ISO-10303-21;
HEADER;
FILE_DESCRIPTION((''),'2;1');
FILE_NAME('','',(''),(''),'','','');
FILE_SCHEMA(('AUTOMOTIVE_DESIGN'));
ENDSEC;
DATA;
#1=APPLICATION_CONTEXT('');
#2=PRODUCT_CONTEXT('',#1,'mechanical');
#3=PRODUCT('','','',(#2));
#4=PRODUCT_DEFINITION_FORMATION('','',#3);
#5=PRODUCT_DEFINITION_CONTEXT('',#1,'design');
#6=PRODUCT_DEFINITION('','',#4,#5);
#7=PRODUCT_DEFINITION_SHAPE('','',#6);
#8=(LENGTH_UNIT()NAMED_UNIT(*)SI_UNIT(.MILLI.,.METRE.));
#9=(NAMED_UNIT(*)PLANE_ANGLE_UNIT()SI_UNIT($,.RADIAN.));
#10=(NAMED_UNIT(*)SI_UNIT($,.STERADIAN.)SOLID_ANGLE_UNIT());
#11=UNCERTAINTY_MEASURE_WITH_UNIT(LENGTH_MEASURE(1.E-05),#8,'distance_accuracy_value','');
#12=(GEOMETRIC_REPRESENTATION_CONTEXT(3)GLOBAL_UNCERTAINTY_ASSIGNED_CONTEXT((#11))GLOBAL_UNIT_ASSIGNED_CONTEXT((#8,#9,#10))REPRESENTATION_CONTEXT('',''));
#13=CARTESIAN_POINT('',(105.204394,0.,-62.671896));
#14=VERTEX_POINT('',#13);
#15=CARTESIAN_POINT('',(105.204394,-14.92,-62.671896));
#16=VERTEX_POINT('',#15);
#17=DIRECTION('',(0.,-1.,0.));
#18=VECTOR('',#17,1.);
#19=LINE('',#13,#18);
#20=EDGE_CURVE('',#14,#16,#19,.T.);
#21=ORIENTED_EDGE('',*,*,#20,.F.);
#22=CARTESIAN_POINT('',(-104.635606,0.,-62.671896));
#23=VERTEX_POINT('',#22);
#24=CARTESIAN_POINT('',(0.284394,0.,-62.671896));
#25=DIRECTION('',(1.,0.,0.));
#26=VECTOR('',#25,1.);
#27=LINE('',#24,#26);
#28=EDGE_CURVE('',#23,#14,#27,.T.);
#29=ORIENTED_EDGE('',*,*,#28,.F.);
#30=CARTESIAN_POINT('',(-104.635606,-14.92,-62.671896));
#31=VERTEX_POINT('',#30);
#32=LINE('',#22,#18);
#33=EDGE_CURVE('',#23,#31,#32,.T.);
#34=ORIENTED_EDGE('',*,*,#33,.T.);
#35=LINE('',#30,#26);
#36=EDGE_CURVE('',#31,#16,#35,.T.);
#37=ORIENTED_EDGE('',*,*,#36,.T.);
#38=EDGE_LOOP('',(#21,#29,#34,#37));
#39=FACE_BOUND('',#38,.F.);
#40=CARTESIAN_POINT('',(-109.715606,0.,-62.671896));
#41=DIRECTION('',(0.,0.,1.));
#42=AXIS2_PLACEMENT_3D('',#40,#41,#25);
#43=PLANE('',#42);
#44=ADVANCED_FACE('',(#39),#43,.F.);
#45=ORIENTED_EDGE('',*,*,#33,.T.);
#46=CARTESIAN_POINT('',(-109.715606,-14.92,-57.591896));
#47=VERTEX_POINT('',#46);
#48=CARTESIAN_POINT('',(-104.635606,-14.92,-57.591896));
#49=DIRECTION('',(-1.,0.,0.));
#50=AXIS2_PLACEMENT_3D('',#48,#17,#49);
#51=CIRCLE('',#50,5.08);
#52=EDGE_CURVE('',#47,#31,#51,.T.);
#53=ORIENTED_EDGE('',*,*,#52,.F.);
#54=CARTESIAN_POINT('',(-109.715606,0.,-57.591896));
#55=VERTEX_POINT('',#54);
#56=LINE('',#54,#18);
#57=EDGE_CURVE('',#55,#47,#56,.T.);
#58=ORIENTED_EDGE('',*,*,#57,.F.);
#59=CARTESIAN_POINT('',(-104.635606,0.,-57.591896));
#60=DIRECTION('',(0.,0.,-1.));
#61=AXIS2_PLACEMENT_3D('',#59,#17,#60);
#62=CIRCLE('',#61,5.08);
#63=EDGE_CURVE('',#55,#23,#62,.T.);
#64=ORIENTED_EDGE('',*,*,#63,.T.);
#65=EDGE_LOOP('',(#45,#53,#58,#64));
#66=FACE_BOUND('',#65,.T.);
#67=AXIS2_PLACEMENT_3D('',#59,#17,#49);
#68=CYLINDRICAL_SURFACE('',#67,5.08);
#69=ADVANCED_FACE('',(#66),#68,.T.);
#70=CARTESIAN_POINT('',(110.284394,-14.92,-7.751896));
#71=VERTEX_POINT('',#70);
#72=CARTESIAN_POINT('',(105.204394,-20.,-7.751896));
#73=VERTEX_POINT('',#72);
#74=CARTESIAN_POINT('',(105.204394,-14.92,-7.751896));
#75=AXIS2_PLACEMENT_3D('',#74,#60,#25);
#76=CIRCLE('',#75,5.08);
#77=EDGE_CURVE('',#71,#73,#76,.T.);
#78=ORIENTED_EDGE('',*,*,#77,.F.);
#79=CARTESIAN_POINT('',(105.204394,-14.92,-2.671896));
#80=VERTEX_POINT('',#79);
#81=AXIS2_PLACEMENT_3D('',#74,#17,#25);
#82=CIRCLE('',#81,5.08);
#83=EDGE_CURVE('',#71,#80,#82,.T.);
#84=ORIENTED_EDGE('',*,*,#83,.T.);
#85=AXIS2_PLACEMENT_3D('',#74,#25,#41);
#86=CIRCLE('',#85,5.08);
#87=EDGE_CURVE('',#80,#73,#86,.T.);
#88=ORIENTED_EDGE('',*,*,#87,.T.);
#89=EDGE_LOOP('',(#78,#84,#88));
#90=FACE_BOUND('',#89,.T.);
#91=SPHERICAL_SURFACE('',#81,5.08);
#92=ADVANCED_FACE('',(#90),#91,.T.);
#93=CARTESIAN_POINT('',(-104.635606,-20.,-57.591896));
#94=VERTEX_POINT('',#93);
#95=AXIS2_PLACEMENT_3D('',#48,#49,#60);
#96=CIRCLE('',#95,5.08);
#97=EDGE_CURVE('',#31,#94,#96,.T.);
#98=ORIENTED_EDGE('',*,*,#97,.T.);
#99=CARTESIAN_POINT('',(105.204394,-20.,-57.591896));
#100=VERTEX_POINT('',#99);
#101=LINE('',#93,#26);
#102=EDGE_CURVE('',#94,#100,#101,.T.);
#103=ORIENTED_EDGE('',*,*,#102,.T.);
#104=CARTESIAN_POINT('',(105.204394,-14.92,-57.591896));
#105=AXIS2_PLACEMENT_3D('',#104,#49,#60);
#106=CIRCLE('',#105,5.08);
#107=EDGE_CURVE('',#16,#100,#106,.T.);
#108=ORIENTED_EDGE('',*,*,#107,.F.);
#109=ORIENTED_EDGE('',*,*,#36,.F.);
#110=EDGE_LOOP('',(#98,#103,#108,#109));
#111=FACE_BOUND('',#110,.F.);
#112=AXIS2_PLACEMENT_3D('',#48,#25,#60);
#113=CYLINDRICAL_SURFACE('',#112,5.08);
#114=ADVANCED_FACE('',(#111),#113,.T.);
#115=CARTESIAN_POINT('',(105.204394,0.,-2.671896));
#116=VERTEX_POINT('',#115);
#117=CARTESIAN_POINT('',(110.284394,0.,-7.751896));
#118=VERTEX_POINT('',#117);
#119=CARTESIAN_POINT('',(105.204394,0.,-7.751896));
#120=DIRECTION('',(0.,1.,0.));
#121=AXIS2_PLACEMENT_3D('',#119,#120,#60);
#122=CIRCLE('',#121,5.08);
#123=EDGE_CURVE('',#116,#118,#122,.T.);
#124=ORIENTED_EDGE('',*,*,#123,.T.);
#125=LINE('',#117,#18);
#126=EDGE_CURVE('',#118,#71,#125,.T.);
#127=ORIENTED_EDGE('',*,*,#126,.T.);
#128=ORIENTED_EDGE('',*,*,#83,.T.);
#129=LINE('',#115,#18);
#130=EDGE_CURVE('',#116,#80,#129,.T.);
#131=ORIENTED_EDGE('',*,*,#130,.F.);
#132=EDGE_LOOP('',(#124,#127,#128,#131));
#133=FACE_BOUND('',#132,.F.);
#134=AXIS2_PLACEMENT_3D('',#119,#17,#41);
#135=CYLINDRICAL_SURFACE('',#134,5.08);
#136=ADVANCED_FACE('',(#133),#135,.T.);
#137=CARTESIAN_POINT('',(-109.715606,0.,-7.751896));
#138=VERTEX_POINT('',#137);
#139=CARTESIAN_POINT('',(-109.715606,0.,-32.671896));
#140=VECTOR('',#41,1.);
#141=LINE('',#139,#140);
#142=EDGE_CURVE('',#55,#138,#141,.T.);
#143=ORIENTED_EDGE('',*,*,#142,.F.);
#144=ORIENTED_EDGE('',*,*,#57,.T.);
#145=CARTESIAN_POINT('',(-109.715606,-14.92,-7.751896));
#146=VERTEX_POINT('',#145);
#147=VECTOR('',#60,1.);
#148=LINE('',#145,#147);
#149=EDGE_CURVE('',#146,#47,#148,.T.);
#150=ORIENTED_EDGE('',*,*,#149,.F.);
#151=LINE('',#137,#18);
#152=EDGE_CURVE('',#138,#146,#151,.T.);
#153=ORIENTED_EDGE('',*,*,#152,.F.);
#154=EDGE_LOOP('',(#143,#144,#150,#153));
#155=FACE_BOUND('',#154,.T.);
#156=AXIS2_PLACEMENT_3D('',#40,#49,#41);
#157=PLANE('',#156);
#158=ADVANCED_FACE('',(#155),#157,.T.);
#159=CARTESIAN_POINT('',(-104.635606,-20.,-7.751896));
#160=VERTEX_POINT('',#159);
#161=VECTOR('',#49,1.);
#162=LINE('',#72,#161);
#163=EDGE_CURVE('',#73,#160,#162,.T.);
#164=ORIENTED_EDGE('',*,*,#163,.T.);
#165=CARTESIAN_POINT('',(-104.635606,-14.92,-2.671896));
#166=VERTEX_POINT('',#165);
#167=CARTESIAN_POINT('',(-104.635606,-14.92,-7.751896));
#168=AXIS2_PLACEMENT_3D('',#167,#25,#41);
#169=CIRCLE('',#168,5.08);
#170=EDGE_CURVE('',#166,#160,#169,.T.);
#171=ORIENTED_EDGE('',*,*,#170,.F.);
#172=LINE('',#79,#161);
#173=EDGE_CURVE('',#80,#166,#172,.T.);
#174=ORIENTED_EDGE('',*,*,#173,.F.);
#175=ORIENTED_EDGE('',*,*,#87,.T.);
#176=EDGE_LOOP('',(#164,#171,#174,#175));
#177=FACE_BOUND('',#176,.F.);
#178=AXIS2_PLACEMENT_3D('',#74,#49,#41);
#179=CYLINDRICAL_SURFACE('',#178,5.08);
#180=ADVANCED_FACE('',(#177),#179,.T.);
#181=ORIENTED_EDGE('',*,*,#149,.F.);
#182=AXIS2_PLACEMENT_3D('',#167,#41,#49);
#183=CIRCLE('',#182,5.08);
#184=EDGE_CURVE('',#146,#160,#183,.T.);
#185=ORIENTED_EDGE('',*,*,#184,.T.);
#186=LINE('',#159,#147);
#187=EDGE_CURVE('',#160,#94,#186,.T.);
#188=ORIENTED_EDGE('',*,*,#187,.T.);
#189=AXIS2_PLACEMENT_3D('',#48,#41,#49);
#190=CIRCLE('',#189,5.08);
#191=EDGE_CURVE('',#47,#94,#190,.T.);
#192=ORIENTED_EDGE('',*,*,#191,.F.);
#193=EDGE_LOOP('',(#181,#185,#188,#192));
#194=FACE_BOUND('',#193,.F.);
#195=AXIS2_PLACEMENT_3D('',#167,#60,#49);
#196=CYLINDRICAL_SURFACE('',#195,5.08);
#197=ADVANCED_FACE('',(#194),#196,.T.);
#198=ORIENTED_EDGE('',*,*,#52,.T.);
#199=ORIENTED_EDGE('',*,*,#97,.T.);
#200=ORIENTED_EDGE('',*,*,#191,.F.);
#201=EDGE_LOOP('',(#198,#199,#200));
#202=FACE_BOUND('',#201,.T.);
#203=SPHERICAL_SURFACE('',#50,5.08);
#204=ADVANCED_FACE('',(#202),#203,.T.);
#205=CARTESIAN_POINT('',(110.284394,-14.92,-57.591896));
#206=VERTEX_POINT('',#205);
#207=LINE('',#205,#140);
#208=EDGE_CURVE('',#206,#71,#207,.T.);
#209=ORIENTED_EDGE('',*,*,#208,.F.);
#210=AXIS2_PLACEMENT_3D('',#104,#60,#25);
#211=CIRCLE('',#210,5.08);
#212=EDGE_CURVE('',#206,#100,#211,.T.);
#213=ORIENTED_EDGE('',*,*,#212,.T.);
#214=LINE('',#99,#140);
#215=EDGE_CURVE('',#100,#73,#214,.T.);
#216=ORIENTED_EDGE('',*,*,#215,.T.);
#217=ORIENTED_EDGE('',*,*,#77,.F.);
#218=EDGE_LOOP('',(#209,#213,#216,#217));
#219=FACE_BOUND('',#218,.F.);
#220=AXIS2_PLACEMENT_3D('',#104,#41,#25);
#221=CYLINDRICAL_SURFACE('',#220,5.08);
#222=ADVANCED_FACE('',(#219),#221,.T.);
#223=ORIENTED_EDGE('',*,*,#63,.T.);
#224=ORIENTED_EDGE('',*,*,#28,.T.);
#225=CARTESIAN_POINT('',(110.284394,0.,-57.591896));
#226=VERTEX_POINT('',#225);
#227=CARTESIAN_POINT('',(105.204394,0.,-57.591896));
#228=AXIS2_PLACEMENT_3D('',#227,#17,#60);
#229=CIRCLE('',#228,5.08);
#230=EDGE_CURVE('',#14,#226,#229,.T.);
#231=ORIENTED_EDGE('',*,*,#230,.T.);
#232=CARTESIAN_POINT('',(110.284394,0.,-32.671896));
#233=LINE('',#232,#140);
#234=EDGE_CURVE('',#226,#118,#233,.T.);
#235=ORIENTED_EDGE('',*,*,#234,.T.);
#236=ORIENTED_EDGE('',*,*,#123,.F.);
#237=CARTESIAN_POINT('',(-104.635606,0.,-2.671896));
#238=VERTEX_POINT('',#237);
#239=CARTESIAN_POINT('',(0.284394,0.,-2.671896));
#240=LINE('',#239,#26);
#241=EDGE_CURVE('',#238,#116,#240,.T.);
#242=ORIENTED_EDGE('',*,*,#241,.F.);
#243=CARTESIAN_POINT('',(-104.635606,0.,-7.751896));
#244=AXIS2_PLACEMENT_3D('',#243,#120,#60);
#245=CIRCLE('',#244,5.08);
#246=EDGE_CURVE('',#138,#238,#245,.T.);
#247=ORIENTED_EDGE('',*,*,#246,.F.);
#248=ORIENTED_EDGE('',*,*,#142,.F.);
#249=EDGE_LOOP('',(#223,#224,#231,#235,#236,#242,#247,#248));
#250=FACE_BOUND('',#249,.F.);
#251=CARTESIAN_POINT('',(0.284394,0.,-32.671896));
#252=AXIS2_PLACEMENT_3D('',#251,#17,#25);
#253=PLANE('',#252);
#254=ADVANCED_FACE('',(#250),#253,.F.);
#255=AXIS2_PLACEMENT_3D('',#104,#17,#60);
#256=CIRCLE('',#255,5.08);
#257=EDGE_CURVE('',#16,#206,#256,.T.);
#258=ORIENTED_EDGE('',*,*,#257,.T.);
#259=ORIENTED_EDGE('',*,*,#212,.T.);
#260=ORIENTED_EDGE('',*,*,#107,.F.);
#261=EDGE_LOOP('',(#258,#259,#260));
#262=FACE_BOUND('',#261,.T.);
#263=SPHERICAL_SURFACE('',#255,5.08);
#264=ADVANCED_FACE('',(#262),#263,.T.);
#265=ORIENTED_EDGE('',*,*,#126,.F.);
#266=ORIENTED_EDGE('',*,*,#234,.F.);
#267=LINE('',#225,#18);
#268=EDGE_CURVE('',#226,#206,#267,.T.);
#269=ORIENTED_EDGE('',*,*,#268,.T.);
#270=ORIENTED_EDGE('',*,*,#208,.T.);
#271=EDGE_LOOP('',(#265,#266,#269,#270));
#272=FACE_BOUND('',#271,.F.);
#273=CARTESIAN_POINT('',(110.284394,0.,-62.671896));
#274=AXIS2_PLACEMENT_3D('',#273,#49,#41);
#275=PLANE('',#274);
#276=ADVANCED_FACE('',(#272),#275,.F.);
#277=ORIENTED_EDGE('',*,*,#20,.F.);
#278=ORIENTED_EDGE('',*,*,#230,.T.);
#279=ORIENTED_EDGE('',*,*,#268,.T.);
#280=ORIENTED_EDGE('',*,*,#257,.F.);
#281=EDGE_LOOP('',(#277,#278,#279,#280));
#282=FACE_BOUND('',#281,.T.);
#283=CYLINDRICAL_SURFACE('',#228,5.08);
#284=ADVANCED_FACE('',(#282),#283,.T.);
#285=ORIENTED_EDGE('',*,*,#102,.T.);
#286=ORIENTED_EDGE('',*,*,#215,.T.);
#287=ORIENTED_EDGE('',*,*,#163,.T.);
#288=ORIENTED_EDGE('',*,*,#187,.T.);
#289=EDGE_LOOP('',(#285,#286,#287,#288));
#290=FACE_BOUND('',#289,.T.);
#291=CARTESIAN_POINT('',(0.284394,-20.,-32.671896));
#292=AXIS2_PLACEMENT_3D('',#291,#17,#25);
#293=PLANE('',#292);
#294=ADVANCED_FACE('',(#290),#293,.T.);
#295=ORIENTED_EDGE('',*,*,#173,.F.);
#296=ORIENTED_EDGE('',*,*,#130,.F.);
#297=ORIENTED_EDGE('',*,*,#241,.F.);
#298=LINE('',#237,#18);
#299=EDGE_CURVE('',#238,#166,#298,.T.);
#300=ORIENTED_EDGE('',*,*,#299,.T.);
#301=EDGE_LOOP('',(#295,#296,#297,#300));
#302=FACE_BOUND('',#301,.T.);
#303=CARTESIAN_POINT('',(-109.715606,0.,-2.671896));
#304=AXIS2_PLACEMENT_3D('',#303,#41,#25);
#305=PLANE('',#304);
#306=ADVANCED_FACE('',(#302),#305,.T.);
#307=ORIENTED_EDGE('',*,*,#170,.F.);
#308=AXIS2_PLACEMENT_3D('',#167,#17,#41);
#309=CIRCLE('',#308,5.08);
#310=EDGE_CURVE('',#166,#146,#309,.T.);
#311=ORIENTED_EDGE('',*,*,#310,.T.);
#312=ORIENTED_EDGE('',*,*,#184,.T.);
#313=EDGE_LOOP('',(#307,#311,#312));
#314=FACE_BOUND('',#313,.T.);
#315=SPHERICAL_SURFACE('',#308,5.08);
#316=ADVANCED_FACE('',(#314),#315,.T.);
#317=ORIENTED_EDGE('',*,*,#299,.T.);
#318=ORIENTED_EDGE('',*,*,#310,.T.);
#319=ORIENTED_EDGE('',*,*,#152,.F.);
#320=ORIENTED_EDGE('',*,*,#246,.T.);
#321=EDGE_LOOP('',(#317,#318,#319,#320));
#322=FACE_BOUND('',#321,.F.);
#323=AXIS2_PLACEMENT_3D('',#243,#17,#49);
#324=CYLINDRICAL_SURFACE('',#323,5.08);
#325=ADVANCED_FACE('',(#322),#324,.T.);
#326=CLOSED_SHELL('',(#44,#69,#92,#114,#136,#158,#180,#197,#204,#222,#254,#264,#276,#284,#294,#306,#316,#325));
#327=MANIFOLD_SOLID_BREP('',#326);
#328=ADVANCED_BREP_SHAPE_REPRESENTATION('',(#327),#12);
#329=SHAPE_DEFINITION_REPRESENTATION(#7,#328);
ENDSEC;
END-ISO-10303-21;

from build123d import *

# Parameters (mm, degrees)
F0_W     = 220
F0_H     = 60
F1_DEPTH = 20
F2_R     = 5.08
F3_R     = 5.08
F4_R     = 5.08
F5_R     = 5.08


with BuildPart() as f1:
    # F0 (on Front) → F1 (new body)
    with BuildSketch(Plane.XZ):
        with Locations((0.284394, -32.671896)):
            Rectangle(F0_W, F0_H)
    extrude(amount=F1_DEPTH)

    # F2
    f2_edges = [f1.edges().sort_by_distance(p)[0] for p in [
        (-109.715606, -10, -62.671896),
    ]]
    fillet(f2_edges, radius=F2_R)

    # F3
    f3_edges = [f1.edges().sort_by_distance(p)[0] for p in [
        (-109.715606, -10, -2.671896),
    ]]
    fillet(f3_edges, radius=F3_R)

    # F4
    f4_edges = [f1.edges().sort_by_distance(p)[0] for p in [
        (110.284394, -10, -2.671896),
        (110.284394, -10, -62.671896),
    ]]
    fillet(f4_edges, radius=F4_R)

    # F5
    f5_edges = [f1.edges().sort_by_distance(p)[0] for p in [
        (0.284394, -20, -62.671896),
    ]]
    fillet(f5_edges, radius=F5_R)


solid = f1.part
